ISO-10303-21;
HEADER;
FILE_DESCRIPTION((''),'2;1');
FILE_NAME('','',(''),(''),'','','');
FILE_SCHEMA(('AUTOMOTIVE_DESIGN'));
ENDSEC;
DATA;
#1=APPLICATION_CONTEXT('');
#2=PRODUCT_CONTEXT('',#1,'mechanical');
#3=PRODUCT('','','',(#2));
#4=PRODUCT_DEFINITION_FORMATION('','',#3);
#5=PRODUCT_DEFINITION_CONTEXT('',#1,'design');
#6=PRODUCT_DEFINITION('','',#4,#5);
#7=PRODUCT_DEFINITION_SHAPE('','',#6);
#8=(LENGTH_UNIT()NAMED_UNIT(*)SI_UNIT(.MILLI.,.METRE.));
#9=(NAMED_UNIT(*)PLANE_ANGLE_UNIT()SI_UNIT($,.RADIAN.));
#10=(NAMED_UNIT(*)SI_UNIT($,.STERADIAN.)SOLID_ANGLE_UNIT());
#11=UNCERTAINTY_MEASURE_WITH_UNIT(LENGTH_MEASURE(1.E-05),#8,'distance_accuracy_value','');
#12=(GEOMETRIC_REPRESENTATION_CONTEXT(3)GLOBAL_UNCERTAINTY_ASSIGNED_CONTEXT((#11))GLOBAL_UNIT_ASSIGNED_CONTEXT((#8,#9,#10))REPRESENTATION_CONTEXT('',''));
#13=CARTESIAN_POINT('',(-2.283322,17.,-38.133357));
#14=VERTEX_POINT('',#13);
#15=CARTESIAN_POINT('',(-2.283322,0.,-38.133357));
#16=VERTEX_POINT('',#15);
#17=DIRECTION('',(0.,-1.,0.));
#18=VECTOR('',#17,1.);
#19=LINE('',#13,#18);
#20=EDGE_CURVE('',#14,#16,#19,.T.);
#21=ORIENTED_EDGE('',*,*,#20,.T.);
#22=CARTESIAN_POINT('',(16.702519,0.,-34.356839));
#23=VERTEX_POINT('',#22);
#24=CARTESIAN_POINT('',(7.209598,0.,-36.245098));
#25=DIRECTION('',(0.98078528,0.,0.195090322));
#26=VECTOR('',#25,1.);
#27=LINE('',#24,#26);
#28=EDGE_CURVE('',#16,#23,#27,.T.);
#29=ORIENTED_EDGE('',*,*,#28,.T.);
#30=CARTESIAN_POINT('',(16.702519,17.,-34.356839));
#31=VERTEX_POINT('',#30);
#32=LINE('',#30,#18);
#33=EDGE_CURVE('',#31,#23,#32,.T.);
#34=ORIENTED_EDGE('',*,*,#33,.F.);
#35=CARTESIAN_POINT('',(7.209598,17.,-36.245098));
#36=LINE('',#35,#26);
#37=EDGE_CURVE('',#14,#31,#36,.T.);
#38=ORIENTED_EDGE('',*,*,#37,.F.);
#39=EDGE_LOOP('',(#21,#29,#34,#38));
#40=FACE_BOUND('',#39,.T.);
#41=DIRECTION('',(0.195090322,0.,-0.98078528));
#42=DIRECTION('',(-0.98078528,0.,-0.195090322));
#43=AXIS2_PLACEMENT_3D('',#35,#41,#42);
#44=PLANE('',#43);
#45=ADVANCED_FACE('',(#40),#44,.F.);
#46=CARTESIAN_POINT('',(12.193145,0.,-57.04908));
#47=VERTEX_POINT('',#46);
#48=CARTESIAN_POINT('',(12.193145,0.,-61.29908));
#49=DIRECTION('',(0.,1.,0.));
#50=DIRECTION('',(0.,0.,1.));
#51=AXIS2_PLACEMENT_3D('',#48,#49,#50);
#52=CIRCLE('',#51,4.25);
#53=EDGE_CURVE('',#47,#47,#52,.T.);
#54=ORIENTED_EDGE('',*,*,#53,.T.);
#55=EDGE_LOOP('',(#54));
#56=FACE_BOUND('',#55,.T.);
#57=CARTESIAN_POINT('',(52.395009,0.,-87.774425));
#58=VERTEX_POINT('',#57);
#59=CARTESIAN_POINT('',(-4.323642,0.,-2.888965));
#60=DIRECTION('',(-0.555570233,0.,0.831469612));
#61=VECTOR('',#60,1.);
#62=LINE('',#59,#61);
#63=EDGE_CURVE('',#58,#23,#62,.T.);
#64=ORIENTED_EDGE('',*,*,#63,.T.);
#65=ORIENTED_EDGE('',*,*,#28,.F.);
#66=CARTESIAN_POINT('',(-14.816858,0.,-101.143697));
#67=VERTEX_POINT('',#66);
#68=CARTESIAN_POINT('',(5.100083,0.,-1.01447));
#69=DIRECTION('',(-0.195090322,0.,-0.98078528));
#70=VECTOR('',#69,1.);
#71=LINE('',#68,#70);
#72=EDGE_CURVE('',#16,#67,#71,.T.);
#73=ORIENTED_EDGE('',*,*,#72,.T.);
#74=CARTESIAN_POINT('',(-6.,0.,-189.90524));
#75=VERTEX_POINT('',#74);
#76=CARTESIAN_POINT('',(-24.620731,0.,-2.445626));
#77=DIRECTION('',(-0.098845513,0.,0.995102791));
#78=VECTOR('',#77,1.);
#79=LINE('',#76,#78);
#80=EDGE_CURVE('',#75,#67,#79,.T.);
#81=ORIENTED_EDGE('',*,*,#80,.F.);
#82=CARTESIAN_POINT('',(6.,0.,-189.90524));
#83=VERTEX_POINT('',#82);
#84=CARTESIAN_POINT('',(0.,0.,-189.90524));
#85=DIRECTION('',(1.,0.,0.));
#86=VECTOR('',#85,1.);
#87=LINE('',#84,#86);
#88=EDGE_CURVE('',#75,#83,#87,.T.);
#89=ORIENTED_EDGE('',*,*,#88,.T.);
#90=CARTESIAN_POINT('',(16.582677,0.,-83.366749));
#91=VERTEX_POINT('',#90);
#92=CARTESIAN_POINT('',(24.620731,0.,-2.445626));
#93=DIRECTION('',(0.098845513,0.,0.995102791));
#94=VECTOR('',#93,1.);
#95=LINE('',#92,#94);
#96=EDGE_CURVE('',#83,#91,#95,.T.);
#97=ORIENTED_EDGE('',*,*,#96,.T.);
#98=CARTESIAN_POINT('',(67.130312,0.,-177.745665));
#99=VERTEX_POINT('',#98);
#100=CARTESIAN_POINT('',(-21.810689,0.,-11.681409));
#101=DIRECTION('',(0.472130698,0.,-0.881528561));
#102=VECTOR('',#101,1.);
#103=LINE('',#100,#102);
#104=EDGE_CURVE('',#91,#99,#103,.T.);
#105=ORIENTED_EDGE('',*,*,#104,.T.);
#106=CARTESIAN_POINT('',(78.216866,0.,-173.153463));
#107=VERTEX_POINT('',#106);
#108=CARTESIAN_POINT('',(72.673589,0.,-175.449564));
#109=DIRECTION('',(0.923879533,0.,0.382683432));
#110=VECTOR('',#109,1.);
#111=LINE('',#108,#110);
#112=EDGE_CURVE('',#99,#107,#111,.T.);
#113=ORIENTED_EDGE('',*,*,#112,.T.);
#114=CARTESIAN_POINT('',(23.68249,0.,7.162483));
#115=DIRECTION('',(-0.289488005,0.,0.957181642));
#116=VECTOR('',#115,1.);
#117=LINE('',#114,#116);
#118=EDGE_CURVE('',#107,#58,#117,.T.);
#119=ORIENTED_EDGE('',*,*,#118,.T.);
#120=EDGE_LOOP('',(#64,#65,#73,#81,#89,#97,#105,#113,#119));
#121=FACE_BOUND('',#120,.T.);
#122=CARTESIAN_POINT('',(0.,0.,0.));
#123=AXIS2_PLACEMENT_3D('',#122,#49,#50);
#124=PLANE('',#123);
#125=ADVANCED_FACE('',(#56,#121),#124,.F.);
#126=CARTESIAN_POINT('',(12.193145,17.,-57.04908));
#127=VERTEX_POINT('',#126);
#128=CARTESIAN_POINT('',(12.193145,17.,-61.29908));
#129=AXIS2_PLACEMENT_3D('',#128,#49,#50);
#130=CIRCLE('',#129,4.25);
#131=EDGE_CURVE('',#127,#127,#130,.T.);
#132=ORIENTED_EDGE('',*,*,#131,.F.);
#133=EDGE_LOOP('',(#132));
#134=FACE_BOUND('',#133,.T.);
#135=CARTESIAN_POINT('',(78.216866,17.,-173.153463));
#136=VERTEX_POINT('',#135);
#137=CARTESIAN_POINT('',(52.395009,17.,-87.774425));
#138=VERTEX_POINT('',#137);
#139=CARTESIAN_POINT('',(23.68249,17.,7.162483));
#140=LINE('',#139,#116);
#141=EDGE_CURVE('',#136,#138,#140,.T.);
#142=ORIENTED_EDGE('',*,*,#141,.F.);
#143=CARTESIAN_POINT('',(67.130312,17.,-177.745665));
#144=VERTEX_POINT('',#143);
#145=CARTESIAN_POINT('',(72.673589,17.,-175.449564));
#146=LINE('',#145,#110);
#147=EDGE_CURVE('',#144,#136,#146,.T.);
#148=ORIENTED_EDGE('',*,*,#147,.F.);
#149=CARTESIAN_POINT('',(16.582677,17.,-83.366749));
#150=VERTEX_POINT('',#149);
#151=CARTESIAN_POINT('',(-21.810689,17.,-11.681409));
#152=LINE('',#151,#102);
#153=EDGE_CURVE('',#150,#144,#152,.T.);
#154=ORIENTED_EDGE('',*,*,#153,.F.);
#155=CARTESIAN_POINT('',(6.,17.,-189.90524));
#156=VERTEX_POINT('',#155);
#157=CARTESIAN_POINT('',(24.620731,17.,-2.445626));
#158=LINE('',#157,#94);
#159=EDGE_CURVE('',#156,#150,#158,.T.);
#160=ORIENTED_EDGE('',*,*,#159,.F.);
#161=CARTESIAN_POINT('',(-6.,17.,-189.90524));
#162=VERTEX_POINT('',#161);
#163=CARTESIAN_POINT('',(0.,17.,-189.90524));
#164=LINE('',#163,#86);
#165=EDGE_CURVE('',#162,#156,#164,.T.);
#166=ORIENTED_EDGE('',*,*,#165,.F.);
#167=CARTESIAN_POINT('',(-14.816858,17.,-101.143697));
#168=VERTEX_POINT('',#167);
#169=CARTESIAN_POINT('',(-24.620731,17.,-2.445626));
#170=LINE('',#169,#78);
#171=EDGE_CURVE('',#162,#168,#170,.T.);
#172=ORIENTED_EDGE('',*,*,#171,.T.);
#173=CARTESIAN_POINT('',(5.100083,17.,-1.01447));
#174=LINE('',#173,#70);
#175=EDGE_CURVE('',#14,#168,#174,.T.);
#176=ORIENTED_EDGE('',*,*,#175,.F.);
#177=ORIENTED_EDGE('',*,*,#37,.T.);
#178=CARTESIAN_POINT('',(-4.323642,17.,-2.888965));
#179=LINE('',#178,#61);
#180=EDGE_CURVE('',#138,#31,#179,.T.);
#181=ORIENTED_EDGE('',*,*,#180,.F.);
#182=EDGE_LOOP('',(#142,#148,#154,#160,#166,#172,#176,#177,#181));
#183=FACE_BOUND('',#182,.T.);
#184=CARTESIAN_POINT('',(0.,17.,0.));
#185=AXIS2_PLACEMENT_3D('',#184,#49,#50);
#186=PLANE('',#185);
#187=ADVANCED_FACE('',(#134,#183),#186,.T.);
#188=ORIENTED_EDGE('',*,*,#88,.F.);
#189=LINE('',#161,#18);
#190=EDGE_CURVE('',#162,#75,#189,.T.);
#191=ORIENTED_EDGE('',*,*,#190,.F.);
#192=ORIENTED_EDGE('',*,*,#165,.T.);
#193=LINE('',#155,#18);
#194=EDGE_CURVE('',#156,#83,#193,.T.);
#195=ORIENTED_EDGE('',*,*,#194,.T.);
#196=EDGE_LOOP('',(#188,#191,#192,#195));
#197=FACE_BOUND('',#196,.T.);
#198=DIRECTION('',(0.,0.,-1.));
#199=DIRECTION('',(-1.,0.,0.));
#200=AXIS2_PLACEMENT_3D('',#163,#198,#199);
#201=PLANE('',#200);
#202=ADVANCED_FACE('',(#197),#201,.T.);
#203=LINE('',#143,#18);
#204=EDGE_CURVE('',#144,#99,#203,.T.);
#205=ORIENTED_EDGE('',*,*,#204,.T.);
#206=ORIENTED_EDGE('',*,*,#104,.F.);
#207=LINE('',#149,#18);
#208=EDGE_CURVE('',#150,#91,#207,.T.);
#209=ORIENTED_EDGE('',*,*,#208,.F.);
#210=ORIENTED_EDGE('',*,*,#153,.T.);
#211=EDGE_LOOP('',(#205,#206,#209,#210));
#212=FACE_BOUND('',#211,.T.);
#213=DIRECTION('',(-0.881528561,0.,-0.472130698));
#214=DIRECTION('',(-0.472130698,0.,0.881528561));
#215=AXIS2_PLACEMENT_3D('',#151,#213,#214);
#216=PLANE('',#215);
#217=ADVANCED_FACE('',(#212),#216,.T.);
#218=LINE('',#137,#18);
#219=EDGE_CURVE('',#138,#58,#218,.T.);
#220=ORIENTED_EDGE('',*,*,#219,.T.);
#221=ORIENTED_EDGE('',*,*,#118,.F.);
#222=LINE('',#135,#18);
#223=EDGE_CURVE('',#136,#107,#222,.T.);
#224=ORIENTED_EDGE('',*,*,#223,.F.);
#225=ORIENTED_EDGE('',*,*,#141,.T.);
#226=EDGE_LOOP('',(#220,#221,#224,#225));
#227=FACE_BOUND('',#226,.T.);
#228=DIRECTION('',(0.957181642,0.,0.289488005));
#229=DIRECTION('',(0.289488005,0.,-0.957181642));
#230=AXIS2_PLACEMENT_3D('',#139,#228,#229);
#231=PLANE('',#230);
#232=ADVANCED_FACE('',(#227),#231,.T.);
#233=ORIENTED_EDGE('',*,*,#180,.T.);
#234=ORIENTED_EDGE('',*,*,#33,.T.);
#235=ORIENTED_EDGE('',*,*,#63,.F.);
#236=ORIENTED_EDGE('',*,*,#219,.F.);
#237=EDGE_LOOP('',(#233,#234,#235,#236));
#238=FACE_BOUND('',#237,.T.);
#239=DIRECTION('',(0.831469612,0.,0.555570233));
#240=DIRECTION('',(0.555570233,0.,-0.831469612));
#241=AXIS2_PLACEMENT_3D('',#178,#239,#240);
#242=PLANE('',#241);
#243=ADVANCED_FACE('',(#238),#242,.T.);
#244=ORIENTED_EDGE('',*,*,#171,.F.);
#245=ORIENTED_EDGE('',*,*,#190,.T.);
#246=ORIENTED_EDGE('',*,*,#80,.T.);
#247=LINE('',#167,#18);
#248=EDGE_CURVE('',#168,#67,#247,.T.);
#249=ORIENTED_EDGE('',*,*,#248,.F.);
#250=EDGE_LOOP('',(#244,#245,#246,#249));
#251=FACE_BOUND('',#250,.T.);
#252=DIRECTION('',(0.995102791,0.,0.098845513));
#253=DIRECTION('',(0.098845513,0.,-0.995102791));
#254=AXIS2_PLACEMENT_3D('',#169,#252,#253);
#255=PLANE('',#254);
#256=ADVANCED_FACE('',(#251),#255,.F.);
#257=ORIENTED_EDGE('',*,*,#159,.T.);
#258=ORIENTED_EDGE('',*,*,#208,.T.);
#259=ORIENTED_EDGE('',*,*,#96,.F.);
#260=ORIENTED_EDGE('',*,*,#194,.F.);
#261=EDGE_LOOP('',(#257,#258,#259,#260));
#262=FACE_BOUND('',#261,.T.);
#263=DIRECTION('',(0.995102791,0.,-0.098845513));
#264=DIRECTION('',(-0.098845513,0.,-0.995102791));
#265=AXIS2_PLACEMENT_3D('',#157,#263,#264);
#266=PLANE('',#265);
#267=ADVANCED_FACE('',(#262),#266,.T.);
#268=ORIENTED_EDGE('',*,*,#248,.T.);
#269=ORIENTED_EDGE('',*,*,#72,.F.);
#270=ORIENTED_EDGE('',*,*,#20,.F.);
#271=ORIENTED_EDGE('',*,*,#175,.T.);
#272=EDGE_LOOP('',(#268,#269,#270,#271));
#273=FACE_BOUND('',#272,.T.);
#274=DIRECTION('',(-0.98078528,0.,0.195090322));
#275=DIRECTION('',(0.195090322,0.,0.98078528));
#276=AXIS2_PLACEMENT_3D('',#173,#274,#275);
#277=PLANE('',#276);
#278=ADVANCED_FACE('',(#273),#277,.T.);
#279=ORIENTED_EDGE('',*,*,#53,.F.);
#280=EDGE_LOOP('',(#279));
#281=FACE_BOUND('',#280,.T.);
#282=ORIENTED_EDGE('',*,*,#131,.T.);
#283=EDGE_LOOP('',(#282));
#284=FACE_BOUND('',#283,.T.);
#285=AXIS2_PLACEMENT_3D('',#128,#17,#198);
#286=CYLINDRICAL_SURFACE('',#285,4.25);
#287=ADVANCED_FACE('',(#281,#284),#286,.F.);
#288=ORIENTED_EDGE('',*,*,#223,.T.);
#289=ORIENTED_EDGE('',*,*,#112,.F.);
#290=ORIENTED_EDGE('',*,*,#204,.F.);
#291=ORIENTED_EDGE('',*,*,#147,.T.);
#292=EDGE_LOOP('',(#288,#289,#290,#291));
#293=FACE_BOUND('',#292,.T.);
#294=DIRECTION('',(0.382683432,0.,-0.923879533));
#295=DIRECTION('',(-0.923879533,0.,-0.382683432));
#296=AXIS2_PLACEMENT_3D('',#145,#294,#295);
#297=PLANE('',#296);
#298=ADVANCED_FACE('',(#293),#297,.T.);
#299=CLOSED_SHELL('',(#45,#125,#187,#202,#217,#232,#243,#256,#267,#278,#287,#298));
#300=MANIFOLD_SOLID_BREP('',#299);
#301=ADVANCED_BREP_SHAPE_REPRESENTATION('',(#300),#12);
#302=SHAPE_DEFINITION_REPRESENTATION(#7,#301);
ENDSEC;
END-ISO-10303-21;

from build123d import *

# Parameters (mm, degrees)
ESQUISSE1_R        = 4.25
BOSS_EXTRU_1_DEPTH = 17


with BuildPart() as part:
    # Esquisse1 → Boss.-Extru.1 (new body)
    with BuildSketch(Plane(origin=(0, 0, 0), x_dir=(1, 0, 0), z_dir=(0, 1, 0))):
        Polygon((-6, 189.905239528), (0, 189.905239528), (6, 189.905239528), (16.582677371, 83.366748834), (67.130311691, 177.74566451), (72.673588887, 175.449563916), (78.216866082, 173.153463322), (52.395009204, 87.774425431), (42.899827823, 73.563882257), (31.788423162, 56.934490011), (16.702518765, 34.356838555), (-2.283322325, 38.133357153), (-7.580787473, 64.765512901), (-11.482593913, 84.381218509), (-14.816858212, 101.143697095), align=None)
        with Locations(Location((12.193145126, 61.299080025, 0), (0, 0, 270))):  # turned: the seam where the file's is
            Circle(ESQUISSE1_R, mode=Mode.SUBTRACT)
    extrude(amount=BOSS_EXTRU_1_DEPTH)


solid = part.part
